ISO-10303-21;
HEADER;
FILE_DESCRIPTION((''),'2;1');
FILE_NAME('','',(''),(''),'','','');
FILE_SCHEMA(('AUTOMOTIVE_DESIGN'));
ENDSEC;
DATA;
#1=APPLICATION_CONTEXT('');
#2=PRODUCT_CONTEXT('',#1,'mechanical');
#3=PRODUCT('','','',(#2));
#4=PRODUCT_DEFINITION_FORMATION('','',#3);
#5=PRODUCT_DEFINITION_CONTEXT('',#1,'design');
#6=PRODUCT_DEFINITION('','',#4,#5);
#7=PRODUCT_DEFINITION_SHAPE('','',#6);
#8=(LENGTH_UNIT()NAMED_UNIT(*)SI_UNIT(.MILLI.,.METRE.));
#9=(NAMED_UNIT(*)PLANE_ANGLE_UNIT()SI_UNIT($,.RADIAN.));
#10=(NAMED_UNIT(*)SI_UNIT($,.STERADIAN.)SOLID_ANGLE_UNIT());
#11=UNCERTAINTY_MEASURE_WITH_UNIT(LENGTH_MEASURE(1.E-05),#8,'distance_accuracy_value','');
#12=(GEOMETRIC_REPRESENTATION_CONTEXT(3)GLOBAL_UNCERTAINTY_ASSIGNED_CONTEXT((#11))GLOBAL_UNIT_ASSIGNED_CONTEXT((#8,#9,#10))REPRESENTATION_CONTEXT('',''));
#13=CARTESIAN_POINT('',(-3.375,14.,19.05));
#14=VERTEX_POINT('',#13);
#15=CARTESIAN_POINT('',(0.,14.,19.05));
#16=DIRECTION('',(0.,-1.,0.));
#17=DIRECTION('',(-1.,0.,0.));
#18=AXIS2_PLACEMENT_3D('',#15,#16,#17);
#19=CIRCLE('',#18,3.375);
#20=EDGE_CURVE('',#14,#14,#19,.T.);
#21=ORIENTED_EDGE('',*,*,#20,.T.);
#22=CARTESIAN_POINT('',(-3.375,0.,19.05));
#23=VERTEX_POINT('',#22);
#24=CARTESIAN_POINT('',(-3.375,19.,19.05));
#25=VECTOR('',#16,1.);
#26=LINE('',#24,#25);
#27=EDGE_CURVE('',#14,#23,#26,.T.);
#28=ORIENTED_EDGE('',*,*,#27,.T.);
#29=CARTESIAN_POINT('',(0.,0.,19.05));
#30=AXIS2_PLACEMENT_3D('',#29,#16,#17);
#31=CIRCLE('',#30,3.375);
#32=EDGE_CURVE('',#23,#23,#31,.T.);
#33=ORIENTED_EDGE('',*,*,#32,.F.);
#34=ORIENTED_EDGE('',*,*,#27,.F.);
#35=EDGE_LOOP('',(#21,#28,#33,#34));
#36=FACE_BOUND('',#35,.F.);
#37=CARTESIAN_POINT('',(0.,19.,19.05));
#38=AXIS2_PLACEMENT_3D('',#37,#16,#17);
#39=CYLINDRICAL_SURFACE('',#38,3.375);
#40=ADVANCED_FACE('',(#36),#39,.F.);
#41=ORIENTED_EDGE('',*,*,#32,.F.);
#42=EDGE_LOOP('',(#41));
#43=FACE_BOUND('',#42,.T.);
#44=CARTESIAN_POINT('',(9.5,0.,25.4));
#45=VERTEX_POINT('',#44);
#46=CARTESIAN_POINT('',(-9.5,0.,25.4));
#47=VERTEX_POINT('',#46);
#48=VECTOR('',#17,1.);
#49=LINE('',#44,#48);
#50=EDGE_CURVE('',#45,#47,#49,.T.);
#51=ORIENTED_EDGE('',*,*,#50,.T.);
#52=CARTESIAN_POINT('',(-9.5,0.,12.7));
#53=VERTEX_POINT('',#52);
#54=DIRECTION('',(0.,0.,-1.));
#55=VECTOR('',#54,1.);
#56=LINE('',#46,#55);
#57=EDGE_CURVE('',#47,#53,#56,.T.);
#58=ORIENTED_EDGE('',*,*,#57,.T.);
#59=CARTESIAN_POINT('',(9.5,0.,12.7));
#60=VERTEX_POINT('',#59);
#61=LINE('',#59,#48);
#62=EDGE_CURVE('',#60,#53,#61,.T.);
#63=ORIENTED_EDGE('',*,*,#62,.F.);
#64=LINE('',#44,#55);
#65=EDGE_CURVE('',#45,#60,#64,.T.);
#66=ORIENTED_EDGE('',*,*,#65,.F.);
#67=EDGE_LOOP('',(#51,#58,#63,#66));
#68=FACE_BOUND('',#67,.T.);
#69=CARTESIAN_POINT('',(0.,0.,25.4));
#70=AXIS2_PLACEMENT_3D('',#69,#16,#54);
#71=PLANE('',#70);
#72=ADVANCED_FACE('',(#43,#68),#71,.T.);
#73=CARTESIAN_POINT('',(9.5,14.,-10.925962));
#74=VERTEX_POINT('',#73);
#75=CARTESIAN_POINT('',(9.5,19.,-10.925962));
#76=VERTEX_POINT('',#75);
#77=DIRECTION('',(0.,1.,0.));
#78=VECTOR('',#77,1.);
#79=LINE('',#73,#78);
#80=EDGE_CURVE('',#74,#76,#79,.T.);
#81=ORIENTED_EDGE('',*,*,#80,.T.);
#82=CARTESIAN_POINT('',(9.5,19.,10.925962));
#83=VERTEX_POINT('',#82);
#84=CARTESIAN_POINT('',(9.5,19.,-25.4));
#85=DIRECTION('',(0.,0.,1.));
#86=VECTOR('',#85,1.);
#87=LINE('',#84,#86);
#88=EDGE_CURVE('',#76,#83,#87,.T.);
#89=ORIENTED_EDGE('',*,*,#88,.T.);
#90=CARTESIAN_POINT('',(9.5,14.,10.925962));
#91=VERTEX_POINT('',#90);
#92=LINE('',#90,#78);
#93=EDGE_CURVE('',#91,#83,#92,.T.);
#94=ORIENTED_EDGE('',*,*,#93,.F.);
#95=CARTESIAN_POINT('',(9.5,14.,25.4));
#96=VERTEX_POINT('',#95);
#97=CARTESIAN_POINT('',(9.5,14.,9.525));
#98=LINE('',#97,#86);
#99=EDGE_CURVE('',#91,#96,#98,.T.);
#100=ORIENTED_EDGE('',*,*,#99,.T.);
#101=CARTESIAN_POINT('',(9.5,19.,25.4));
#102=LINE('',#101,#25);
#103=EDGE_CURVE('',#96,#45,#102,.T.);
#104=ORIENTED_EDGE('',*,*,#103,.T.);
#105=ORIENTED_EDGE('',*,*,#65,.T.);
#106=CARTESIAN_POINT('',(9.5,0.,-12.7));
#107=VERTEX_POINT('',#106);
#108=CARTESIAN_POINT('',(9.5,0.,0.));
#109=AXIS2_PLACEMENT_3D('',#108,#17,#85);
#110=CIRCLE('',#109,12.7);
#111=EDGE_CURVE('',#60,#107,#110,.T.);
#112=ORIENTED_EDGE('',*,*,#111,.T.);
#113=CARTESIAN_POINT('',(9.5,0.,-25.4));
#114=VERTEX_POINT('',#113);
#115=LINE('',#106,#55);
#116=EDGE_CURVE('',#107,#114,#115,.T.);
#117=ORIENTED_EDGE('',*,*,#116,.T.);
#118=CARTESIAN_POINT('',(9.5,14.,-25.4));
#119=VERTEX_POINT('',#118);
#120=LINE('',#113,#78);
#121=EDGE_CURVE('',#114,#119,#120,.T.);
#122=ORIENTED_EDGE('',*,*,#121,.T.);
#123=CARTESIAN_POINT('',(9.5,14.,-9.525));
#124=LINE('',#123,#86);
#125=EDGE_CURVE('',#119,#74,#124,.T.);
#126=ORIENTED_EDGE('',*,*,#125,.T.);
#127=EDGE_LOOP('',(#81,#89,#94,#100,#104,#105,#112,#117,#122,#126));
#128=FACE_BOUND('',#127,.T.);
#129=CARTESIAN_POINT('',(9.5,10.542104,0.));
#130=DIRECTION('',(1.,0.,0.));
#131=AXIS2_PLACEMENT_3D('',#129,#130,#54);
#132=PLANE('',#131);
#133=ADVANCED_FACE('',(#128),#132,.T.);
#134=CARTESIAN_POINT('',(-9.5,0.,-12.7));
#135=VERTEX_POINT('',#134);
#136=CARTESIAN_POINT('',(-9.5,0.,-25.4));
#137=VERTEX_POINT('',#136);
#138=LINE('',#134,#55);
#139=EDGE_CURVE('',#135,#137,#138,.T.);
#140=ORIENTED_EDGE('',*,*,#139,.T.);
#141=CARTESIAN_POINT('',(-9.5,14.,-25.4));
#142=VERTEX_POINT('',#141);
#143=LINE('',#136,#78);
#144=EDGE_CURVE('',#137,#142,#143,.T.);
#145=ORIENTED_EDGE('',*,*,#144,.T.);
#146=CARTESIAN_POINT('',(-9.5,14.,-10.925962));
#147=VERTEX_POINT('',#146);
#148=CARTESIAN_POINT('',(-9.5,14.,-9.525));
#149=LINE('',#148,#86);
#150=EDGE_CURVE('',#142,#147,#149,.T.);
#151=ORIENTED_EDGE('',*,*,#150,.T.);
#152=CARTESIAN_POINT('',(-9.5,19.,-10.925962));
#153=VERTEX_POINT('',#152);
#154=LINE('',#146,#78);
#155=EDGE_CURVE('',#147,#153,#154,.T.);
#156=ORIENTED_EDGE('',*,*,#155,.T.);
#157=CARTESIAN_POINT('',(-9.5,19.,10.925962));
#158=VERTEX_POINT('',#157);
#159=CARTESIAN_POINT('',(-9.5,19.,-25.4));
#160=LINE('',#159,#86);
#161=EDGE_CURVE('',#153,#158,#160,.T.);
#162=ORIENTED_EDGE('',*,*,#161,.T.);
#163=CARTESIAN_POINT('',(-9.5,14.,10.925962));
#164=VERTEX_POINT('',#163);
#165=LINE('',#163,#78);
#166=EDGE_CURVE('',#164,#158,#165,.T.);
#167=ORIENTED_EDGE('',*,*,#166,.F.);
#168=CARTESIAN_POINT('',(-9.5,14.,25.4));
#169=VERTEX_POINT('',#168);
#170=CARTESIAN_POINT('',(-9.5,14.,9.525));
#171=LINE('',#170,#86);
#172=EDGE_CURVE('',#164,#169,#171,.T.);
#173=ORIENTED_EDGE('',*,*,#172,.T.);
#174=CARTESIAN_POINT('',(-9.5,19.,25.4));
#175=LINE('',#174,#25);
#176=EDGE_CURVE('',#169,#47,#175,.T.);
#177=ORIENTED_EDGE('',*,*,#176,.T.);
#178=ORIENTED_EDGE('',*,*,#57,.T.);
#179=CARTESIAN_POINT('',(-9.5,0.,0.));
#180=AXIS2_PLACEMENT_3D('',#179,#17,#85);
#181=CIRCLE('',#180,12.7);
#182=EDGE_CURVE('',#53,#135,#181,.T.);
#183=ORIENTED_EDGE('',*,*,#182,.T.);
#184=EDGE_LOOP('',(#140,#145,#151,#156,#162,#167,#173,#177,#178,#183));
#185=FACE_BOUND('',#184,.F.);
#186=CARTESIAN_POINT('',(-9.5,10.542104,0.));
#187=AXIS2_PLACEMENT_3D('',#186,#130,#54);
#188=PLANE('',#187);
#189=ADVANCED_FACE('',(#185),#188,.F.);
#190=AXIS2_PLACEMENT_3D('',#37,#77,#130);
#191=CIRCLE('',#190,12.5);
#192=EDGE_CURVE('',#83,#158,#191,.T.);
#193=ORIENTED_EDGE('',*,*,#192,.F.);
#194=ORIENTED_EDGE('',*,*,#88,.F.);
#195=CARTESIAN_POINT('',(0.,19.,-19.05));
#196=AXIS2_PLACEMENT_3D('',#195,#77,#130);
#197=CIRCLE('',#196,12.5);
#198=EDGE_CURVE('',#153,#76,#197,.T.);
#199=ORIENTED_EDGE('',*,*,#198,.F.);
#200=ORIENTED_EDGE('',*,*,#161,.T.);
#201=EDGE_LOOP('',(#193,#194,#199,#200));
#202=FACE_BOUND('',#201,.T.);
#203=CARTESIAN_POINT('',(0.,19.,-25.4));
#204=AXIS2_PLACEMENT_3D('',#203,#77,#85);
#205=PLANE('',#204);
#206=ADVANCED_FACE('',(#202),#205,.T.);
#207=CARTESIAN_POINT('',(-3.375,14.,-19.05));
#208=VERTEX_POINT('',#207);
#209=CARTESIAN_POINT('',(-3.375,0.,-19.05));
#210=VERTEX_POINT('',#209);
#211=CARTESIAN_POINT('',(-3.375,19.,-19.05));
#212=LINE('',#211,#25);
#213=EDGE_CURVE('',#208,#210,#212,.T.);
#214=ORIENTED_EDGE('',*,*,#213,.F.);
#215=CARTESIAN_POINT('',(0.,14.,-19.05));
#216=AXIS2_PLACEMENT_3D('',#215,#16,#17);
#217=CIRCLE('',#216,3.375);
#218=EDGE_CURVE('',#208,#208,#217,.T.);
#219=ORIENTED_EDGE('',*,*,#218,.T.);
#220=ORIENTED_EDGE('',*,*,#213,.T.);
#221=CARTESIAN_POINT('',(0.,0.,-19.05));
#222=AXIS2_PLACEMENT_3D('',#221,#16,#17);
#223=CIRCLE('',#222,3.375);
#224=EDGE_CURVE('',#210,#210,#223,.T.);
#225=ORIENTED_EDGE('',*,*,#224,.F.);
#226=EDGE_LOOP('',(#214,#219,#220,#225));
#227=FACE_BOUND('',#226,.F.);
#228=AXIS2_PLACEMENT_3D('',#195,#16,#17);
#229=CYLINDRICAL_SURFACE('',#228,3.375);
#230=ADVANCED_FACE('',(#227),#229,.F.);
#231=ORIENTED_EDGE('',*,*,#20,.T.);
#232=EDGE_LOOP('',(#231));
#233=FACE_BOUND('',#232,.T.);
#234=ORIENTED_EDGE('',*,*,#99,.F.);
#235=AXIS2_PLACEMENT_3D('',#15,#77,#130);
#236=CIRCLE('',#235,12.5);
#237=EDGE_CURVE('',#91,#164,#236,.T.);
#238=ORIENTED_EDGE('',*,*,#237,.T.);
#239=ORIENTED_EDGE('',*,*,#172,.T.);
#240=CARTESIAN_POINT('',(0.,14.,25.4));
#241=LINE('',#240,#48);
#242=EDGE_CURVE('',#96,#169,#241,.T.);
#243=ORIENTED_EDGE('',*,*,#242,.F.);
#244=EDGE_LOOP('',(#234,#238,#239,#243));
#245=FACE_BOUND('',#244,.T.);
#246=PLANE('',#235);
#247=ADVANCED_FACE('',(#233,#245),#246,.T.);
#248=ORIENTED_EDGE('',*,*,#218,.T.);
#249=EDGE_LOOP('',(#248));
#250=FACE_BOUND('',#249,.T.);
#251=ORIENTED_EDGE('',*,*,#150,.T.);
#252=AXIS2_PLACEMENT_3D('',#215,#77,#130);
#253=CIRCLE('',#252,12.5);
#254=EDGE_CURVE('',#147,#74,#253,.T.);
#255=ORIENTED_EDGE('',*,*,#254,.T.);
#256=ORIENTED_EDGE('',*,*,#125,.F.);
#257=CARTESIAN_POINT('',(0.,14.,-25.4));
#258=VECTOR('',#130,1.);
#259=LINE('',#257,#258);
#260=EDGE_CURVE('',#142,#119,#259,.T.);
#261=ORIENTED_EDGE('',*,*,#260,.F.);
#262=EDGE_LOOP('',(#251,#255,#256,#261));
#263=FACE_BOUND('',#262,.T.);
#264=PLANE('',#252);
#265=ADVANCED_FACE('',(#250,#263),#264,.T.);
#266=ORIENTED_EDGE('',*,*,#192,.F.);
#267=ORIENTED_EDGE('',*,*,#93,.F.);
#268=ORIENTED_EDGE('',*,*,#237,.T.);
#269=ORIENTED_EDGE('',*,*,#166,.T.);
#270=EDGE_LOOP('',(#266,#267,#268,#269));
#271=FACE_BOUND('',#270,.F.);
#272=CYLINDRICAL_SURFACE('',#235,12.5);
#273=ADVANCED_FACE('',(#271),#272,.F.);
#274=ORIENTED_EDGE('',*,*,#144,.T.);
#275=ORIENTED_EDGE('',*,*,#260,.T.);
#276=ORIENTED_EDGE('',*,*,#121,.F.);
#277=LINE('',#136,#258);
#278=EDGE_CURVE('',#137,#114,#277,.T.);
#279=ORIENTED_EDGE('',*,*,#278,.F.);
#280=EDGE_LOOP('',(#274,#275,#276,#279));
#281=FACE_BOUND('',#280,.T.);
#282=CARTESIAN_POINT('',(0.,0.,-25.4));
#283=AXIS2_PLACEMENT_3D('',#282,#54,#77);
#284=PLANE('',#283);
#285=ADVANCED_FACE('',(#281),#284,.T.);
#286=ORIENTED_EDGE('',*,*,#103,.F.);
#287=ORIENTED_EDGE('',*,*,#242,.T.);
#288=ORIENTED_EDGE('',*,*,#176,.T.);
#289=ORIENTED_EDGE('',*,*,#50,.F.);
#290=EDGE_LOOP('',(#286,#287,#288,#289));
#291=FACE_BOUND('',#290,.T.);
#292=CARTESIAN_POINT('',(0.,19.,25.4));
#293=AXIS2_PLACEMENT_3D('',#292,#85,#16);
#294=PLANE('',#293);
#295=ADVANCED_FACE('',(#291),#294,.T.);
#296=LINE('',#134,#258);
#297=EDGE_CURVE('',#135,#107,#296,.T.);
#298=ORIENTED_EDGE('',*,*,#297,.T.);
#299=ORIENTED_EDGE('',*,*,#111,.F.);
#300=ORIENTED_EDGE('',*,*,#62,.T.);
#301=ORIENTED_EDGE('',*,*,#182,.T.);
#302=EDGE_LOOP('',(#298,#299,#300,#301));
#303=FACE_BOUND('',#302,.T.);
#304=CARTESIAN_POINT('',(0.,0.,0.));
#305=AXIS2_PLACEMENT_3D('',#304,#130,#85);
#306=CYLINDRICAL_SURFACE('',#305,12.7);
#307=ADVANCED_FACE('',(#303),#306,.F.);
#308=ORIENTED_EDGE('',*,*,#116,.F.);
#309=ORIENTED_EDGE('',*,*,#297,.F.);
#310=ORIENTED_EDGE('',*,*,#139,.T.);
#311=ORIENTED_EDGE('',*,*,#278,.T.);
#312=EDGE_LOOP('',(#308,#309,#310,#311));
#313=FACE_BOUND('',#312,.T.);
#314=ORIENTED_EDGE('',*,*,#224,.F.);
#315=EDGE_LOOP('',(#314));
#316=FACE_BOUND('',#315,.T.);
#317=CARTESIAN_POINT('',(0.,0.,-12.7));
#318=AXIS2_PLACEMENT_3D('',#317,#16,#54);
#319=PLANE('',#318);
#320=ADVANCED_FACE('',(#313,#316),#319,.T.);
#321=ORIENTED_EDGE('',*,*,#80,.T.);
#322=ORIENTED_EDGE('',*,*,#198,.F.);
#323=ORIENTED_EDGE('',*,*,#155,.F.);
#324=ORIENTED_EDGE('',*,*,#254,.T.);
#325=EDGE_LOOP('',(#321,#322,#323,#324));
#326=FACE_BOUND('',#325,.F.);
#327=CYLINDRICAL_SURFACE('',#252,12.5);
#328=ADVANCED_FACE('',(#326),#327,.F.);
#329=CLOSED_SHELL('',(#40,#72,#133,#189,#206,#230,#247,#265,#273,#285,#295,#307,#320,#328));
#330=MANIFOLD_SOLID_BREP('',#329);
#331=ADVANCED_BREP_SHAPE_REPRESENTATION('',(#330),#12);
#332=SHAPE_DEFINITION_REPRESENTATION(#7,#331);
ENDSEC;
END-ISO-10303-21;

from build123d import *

# Parameters (mm, degrees)
SALIENTE_EXTRUIR1_DEPTH                              = 9.5
REFRENTADO_PARA_TORNILLO_CON_CABEZA_HUEC_D           = 6.75
REFRENTADO_PARA_TORNILLO_CON_CABEZA_HUEC_CBORE_D     = 25
REFRENTADO_PARA_TORNILLO_CON_CABEZA_HUEC_CBORE_DEPTH = 5


with BuildPart() as part:
    # Croquis1 → Saliente-Extruir1 (new body, symmetric)
    with BuildSketch(Plane(origin=(0, 0, 0), x_dir=(0, 0, -1), z_dir=(1, 0, 0))):
        with BuildLine():
            ThreePointArc((-12.7, 0), (0, 12.7), (12.7, 0))
            Line((12.7, 0), (25.4, 0))
            Line((25.4, 0), (25.4, 19))
            Line((25.4, 19), (-25.4, 19))
            Line((-25.4, 19), (-25.4, 0))
            Line((-25.4, 0), (-12.7, 0))
        make_face()
    extrude(amount=SALIENTE_EXTRUIR1_DEPTH, both=True)

    # Refrentado para tornillo con cabeza hueca hexagonal de M121 (through all)
    with Locations(Plane(origin=(0, 19, 0), x_dir=(1, 0, 0), z_dir=(0, 1, 0))):
        with Locations((0, -19.05), (0, 19.05)):
            CounterBoreHole(REFRENTADO_PARA_TORNILLO_CON_CABEZA_HUEC_D / 2, REFRENTADO_PARA_TORNILLO_CON_CABEZA_HUEC_CBORE_D / 2, REFRENTADO_PARA_TORNILLO_CON_CABEZA_HUEC_CBORE_DEPTH)


solid = part.part
